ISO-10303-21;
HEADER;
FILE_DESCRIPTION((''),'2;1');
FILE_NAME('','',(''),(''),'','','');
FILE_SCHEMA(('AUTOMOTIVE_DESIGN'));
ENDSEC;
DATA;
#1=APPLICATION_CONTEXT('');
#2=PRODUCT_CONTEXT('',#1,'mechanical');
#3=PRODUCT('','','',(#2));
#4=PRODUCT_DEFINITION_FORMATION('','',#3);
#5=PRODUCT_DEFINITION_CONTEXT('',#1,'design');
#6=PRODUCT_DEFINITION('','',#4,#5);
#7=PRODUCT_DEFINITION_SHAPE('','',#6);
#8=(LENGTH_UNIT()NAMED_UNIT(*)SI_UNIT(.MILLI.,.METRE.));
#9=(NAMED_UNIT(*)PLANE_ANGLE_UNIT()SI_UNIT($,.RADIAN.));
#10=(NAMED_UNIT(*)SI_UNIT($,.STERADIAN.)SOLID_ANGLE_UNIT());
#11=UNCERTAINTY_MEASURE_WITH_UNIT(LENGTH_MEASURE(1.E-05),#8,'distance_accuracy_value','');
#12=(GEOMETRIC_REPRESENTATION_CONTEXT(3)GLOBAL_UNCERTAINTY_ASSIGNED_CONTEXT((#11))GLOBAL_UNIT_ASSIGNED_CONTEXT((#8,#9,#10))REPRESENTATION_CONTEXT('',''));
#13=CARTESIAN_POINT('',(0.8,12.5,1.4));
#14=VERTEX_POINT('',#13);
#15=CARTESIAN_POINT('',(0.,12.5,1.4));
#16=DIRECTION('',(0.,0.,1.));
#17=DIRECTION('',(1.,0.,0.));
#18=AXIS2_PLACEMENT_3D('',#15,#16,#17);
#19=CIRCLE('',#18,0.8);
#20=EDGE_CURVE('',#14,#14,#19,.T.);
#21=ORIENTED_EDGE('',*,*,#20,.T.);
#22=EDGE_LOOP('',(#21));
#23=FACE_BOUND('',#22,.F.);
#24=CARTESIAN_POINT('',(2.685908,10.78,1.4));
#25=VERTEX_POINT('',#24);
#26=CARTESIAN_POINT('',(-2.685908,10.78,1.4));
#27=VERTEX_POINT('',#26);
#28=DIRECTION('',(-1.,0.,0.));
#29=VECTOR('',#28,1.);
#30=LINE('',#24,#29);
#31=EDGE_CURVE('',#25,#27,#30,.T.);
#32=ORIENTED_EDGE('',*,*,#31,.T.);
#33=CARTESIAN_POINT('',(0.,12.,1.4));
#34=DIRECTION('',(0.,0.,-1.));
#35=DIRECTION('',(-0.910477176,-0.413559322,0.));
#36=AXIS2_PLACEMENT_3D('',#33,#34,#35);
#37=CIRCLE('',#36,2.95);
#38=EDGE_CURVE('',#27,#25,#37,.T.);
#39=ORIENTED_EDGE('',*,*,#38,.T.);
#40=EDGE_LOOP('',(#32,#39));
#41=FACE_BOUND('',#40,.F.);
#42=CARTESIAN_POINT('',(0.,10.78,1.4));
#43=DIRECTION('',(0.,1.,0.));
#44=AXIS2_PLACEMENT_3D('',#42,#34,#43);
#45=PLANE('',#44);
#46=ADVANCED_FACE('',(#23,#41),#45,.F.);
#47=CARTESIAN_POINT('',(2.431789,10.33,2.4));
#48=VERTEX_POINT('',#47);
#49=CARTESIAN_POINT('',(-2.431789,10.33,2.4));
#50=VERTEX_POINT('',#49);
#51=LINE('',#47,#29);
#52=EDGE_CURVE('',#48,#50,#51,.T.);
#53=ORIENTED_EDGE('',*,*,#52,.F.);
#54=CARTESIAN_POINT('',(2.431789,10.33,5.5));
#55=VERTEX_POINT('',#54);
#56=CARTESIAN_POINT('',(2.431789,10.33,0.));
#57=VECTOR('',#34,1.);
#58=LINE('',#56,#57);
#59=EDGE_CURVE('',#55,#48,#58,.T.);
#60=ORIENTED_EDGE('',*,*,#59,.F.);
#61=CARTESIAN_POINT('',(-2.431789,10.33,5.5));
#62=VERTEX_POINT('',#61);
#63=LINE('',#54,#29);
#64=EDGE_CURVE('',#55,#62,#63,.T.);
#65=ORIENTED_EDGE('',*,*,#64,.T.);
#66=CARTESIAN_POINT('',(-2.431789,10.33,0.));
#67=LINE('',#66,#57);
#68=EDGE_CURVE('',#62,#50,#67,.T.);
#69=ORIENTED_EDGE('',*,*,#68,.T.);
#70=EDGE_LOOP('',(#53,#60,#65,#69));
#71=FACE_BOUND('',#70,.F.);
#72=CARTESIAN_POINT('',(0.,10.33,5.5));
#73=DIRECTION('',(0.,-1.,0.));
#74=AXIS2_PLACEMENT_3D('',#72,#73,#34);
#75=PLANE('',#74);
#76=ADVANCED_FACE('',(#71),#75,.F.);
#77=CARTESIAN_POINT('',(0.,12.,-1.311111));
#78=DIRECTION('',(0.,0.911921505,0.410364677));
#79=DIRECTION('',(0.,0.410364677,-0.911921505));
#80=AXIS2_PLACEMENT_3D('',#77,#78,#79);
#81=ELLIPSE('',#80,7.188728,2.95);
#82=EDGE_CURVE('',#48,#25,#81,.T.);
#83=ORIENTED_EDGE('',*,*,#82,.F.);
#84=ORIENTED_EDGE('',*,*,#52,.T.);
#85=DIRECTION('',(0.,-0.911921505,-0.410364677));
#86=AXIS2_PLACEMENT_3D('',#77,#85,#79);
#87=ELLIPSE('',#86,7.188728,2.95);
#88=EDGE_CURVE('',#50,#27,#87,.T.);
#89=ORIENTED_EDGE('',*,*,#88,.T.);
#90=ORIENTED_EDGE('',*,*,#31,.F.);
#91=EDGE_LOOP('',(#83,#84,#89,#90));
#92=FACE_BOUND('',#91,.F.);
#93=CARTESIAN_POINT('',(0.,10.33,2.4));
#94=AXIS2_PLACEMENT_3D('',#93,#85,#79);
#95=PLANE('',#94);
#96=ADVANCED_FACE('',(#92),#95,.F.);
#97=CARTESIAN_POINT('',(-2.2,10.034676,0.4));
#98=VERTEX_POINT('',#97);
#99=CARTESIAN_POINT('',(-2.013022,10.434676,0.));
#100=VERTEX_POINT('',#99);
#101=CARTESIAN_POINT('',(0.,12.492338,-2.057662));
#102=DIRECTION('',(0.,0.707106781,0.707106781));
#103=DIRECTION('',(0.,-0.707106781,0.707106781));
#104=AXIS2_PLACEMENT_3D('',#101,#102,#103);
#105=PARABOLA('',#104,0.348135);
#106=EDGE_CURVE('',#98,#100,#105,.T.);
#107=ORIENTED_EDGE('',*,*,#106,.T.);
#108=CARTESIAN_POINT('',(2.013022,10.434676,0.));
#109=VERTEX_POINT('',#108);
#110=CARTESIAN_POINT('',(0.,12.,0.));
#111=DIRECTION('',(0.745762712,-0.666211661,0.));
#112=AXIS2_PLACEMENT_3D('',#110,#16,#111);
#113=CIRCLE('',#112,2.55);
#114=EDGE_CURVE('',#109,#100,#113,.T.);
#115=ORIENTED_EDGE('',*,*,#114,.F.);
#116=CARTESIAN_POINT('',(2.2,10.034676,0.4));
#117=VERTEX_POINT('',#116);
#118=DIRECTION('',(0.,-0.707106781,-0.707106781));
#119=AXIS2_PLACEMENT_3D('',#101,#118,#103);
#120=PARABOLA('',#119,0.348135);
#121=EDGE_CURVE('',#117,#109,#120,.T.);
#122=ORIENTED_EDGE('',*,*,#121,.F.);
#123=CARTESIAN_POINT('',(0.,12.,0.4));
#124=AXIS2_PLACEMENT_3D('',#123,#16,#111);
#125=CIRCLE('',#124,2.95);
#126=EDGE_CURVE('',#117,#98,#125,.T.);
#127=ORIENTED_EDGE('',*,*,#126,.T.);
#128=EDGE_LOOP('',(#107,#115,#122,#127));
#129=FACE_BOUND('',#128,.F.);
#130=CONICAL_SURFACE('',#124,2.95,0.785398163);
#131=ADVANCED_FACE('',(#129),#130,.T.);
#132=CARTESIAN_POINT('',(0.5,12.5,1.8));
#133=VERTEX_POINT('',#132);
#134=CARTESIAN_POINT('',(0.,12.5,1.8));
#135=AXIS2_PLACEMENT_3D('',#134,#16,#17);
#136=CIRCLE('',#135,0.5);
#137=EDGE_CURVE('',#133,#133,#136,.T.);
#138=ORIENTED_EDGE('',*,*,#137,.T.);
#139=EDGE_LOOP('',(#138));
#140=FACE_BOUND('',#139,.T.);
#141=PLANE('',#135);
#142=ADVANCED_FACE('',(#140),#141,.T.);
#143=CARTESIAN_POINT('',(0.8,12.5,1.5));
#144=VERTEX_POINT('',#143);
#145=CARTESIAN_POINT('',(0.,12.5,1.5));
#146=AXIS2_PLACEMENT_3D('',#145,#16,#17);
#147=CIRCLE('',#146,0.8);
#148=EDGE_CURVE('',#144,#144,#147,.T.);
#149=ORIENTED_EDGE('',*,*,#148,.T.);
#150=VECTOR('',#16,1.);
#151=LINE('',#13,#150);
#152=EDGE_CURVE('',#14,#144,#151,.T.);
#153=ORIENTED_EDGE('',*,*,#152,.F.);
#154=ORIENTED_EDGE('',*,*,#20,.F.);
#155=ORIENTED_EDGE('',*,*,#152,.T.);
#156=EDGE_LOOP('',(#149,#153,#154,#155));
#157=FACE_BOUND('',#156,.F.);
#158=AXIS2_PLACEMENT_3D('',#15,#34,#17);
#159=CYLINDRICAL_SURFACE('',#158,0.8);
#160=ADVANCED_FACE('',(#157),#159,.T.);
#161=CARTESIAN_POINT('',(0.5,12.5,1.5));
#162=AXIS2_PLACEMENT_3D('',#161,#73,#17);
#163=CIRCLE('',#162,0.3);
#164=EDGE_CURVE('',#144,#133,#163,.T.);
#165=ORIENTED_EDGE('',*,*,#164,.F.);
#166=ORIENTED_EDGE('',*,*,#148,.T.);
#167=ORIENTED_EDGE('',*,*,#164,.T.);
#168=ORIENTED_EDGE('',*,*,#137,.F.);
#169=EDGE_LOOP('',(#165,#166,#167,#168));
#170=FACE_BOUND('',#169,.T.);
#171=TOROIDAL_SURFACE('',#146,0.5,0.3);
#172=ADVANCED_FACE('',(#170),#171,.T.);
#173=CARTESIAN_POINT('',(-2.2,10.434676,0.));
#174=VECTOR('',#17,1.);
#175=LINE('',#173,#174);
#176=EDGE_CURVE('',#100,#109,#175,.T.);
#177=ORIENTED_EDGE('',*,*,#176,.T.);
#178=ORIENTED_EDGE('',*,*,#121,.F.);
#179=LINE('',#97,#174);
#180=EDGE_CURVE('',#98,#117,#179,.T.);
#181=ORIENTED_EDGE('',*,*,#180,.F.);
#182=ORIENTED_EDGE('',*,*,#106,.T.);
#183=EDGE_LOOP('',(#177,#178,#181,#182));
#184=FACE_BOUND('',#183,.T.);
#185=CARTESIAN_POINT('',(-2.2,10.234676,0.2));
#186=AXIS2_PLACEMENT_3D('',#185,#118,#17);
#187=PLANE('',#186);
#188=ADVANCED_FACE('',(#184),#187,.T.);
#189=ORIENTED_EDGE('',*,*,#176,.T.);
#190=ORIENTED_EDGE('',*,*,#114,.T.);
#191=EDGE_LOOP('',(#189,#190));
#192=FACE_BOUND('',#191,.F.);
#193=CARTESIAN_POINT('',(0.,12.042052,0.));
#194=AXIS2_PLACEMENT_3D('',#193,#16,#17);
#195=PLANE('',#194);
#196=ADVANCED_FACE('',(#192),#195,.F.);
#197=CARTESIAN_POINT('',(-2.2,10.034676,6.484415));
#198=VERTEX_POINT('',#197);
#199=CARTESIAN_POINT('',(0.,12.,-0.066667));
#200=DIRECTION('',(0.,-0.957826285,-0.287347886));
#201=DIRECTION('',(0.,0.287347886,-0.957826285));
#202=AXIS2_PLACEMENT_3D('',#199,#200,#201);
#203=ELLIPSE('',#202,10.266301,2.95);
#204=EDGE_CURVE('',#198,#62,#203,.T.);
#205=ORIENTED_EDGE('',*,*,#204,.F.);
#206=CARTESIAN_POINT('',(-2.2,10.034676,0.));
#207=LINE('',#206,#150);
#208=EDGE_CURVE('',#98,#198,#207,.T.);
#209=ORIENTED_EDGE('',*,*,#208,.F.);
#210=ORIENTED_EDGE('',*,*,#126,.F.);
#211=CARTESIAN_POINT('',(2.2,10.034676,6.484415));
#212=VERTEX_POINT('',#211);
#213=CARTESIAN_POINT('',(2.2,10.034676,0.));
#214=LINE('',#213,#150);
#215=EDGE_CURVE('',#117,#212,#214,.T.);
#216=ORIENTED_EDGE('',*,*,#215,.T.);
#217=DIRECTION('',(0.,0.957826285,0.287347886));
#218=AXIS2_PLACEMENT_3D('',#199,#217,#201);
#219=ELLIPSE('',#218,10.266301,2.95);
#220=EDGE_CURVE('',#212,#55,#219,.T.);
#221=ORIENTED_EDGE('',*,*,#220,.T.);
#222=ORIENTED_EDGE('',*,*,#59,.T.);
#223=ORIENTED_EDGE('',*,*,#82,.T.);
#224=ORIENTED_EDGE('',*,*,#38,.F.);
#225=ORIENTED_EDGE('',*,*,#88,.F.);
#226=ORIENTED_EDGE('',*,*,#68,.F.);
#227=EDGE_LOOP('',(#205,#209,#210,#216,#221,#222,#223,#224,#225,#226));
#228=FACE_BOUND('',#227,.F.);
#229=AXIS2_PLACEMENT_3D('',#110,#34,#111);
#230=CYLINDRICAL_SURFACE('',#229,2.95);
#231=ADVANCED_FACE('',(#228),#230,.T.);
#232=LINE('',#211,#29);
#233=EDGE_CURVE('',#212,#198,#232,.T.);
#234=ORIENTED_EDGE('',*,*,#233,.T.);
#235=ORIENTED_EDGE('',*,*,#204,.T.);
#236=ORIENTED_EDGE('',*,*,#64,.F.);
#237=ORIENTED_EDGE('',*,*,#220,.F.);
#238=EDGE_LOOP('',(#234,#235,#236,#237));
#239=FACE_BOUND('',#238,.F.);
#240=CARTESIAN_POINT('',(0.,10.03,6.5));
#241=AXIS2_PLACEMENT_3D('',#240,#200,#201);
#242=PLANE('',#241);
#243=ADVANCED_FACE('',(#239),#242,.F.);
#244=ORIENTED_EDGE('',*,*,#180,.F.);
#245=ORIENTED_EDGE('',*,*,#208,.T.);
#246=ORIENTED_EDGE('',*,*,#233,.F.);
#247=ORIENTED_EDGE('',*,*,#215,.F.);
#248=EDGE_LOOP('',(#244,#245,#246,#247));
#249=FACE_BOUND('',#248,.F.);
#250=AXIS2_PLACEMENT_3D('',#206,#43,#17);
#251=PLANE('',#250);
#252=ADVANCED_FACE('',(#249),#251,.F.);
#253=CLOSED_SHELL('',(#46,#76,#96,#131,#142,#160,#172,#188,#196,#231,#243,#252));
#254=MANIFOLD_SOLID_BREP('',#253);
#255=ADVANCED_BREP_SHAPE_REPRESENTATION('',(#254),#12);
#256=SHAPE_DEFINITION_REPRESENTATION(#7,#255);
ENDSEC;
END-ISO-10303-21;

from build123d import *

# Parameters (mm, degrees)
PAD008_DEPTH         = 6.5
POCKET007_DEPTH      = 2.951
POCKET007_DEPTH_BACK = 2.951
SKETCH023_R          = 0.8
PAD009_DEPTH         = 0.4
FILLET001_R          = 0.3
CHAMFER007_SIZE      = 0.4


with BuildPart() as part:
    # Sketch022 → Pad008 (new body)
    with BuildSketch(Plane.XY):
        with BuildLine():
            ThreePointArc((2.2, -1.9653244007), (0, 2.95), (-2.2, -1.9653244007))
            Line((-2.2, -1.9653244007), (2.2, -1.9653244007))
        make_face()
    extrude(amount=PAD008_DEPTH)

    # Sketch024 → Pocket007 (cut, two sides)
    with BuildSketch(Plane.YZ) as pocket007_sk:
        Polygon((-1.97, 6.5), (-1.67, 5.5), (-1.67, 2.4), (-1.22, 1.4), (4, 1.4), (4, 6.5), align=None)
    extrude(amount=-POCKET007_DEPTH, mode=Mode.SUBTRACT)
    extrude(pocket007_sk.sketch, amount=POCKET007_DEPTH_BACK, mode=Mode.SUBTRACT)

    # Sketch023 (on Face7 of Pocket007) → Pad009 (join)
    with BuildSketch(Plane.XY.offset(1.4)):
        with Locations((0, 0.5)):
            Circle(SKETCH023_R)
    extrude(amount=PAD009_DEPTH)

    # Fillet001
    fillet001_edges = [part.edges().sort_by_distance(p)[0] for p in [
        (-0.8, 0.5, 1.8),
    ]]
    fillet(fillet001_edges, radius=FILLET001_R)

    # Chamfer007
    chamfer007_edges = [part.edges().sort_by_distance(p)[0] for p in [
        (0, 2.95, 0),
        (0, -1.965324, 0),
    ]]
    chamfer(chamfer007_edges, length=CHAMFER007_SIZE)


with BuildPart() as part_1:
    # Body082 placement: moved
    add(part.part.moved(Location((0, 12, 0))))


solid = part_1.part
